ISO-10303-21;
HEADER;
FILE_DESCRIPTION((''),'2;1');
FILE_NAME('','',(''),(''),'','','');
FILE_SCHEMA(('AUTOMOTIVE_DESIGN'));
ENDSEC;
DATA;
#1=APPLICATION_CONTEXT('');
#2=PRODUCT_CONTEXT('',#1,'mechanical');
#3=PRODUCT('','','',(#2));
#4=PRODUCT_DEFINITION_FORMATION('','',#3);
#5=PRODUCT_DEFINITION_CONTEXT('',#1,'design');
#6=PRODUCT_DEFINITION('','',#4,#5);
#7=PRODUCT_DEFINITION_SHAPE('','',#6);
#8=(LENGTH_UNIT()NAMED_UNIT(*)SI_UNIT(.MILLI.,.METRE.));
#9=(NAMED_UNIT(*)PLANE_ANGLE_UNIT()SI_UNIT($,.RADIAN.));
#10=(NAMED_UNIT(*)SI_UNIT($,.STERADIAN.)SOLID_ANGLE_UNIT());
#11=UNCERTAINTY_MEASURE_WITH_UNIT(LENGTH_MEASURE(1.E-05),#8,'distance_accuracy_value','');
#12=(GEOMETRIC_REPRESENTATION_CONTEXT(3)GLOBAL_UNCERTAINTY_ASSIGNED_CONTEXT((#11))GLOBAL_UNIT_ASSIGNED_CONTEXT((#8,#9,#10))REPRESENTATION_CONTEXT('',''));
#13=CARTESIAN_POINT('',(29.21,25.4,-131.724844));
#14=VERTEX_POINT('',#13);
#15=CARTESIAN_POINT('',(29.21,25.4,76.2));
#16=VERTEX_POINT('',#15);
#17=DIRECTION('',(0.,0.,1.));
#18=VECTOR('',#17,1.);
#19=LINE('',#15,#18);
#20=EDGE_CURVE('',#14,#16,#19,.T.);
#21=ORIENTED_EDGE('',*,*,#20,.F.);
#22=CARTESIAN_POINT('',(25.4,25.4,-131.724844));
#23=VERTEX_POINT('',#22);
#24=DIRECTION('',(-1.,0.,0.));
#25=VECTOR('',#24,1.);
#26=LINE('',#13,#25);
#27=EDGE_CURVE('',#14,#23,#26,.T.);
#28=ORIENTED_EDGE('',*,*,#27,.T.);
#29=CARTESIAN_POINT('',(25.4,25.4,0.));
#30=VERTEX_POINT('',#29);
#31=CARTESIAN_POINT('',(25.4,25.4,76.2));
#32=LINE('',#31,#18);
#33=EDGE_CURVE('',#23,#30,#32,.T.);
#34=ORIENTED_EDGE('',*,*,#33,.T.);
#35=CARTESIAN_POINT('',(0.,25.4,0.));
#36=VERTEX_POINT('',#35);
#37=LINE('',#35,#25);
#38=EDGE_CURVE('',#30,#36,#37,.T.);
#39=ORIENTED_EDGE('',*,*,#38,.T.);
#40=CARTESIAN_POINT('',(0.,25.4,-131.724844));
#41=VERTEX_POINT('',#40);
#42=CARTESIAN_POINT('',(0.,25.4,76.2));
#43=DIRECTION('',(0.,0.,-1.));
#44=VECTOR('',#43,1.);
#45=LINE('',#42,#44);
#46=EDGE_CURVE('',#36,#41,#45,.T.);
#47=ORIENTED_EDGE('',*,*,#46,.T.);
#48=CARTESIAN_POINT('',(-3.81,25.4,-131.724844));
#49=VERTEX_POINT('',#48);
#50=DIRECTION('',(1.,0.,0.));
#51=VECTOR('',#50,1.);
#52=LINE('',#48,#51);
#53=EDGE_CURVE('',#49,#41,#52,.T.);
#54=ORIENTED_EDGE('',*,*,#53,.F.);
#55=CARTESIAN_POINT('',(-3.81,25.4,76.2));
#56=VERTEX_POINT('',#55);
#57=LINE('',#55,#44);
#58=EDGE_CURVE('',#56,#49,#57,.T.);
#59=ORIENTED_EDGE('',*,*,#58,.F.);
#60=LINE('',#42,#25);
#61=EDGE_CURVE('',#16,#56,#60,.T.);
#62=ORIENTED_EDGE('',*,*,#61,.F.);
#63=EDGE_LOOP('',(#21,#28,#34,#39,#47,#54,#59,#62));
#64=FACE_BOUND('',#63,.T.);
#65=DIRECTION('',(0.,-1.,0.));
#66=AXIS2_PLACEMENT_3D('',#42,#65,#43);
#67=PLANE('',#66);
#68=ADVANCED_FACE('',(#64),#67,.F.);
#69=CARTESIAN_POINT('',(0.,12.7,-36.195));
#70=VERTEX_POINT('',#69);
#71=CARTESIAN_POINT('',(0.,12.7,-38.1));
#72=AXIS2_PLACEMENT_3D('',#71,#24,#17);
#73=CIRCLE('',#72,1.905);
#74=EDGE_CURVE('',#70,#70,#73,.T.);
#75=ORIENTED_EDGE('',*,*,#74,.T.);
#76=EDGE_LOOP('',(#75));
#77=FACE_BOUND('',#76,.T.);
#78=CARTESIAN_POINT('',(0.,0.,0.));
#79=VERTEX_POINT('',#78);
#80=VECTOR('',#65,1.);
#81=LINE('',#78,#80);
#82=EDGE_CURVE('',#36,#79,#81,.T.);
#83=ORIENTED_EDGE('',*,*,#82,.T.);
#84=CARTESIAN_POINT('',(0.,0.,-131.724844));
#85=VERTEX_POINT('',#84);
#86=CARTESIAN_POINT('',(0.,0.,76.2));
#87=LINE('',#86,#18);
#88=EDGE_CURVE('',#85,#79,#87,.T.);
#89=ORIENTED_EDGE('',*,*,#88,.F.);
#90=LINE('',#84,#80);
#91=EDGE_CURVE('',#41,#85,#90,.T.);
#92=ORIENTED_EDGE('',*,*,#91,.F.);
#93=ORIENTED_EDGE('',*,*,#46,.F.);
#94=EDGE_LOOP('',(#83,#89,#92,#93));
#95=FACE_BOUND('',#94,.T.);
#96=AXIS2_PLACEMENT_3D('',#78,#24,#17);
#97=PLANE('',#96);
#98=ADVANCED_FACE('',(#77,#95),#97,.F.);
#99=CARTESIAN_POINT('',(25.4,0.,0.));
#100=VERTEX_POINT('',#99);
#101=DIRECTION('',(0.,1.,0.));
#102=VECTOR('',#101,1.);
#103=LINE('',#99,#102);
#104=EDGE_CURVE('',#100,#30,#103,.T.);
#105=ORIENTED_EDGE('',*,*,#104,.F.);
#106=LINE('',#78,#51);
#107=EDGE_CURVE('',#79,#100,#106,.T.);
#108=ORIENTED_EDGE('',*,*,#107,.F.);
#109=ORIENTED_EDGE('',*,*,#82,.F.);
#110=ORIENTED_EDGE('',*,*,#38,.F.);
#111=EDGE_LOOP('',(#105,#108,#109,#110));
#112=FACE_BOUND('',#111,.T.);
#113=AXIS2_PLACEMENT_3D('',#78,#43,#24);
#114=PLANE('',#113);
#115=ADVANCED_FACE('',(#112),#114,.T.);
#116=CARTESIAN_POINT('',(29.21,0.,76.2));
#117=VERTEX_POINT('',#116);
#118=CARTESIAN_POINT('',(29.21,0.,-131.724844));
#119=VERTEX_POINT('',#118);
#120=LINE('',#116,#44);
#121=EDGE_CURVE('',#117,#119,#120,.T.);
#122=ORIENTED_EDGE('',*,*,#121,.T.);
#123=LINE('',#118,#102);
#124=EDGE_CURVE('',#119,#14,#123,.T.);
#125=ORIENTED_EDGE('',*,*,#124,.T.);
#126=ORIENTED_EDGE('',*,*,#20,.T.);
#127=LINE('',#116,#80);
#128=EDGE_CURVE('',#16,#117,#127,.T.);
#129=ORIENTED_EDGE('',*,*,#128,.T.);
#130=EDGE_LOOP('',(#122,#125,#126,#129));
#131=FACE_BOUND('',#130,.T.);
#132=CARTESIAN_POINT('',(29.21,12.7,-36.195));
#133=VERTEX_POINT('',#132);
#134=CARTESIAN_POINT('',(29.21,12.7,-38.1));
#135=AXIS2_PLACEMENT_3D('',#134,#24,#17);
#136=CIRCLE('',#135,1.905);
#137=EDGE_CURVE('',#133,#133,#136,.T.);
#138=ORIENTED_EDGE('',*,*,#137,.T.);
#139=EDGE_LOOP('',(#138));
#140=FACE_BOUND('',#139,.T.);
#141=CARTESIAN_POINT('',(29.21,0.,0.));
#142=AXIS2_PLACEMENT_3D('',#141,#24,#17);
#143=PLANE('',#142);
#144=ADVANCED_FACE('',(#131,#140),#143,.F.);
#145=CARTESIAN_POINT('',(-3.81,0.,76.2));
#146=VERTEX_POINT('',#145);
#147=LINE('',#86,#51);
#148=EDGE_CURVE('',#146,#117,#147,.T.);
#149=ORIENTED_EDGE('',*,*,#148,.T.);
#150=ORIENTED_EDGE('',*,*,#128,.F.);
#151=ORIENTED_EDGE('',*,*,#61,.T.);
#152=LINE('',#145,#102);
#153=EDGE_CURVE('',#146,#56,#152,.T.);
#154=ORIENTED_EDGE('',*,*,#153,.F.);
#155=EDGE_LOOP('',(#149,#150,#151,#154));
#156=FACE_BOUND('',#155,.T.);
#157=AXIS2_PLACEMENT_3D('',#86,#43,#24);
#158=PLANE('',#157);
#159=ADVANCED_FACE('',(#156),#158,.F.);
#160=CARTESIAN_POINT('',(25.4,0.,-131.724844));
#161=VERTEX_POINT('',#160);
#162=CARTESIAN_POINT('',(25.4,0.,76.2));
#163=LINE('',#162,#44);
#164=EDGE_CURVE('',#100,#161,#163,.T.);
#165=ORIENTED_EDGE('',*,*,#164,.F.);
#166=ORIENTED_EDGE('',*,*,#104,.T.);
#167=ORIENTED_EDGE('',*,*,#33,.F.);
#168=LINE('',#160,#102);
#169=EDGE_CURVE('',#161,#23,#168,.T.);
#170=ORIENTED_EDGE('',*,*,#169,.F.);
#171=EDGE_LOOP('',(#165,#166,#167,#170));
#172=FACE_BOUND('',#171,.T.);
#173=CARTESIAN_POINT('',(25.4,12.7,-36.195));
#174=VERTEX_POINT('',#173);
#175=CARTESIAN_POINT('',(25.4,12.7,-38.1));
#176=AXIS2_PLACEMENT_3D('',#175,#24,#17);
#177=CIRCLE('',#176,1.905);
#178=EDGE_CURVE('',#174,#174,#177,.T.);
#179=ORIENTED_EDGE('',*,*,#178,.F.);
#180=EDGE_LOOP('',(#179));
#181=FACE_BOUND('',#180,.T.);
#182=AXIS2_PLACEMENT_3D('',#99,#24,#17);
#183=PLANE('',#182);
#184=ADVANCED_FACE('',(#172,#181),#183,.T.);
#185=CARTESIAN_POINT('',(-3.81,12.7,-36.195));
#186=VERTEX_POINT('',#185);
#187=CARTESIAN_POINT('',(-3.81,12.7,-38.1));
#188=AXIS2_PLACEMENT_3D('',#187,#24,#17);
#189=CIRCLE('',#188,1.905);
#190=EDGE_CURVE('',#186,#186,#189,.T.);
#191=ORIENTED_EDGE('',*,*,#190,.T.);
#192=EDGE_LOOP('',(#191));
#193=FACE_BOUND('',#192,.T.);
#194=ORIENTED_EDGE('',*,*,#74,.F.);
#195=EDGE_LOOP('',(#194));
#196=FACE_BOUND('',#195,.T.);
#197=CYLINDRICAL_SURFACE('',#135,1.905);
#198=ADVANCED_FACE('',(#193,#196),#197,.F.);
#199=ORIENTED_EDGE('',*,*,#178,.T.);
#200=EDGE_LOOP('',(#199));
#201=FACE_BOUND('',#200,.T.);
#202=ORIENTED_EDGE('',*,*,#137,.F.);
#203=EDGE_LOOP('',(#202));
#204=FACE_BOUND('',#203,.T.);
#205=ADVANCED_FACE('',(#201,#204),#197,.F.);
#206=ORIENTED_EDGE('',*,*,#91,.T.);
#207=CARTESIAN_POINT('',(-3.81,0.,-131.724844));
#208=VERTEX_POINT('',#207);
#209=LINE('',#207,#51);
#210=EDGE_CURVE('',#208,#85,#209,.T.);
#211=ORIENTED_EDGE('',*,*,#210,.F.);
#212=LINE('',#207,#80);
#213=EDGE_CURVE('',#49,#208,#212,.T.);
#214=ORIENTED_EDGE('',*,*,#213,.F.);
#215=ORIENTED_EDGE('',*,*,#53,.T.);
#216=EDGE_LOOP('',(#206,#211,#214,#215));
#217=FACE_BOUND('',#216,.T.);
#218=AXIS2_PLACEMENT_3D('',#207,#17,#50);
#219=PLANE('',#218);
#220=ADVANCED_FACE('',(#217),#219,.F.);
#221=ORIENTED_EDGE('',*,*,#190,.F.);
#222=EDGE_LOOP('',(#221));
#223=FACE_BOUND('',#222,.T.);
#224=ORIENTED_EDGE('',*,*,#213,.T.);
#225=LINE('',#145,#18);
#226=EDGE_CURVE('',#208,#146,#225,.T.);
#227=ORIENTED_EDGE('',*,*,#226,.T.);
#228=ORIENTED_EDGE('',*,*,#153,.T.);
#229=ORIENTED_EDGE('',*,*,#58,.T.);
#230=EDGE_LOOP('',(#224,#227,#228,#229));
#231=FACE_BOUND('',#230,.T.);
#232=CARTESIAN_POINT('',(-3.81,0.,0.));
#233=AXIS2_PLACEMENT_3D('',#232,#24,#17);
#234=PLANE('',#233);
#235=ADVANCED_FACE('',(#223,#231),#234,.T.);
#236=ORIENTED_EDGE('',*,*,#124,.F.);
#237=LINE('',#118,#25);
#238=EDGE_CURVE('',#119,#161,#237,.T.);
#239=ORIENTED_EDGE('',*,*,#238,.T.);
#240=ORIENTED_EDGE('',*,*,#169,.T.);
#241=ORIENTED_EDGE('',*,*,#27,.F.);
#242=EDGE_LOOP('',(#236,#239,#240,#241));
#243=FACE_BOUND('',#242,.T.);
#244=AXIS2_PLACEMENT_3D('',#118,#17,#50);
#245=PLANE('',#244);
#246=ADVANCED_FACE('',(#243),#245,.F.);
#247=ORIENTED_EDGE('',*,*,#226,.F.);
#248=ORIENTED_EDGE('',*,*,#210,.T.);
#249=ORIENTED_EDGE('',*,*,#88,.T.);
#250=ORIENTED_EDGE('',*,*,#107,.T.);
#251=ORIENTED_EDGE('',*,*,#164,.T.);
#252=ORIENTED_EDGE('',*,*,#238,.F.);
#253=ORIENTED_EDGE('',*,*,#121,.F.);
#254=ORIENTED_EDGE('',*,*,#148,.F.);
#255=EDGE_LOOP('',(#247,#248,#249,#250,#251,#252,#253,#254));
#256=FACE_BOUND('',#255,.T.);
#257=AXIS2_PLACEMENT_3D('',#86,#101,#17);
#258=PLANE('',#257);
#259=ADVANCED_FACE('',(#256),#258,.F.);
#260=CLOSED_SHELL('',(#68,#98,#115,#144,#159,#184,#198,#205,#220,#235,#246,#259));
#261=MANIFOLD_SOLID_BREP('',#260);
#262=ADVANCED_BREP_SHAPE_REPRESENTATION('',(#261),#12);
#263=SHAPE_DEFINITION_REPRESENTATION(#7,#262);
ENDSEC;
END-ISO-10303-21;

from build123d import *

# Parameters (mm, degrees)
SKETCH2_W           = 25.4
SKETCH2_H           = 25.4
BOSS_EXTRUDE1_DEPTH = 76.2
SKETCH3_W           = 207.924844479
SKETCH3_H           = 25.4
BOSS_EXTRUDE2_DEPTH = 3.81
SKETCH4_W           = 207.924844479
SKETCH4_H           = 25.4
BOSS_EXTRUDE3_DEPTH = 3.81
SKETCH5_R           = 1.905
CUT_EXTRUDE1_DEPTH  = 139.155401824


with BuildPart() as part:
    # Sketch2 → Boss-Extrude1 (new body)
    with BuildSketch(Plane.XY):
        with Locations((12.7, 12.7)):
            Rectangle(SKETCH2_W, SKETCH2_H)
    extrude(amount=BOSS_EXTRUDE1_DEPTH)

    # Sketch3 → Boss-Extrude2 (add)
    with BuildSketch(Plane(origin=(25.4, 0, 0), x_dir=(0, 0, -1), z_dir=(1, 0, 0))):
        with Locations((27.76242224, 12.7)):
            Rectangle(SKETCH3_W, SKETCH3_H)
    extrude(amount=BOSS_EXTRUDE2_DEPTH)

    # Sketch4 → Boss-Extrude3 (add)
    with BuildSketch(Plane.ZY):
        with Locations((-27.76242224, 12.7)):
            Rectangle(SKETCH4_W, SKETCH4_H)
    extrude(amount=BOSS_EXTRUDE3_DEPTH)

    # Sketch5 → Cut-Extrude1 (cut, through all)
    with BuildSketch(Plane.ZY.offset(3.81)):
        with Locations((-38.1, 12.7)):
            Circle(SKETCH5_R)
    extrude(amount=-CUT_EXTRUDE1_DEPTH, mode=Mode.SUBTRACT)


solid = part.part
